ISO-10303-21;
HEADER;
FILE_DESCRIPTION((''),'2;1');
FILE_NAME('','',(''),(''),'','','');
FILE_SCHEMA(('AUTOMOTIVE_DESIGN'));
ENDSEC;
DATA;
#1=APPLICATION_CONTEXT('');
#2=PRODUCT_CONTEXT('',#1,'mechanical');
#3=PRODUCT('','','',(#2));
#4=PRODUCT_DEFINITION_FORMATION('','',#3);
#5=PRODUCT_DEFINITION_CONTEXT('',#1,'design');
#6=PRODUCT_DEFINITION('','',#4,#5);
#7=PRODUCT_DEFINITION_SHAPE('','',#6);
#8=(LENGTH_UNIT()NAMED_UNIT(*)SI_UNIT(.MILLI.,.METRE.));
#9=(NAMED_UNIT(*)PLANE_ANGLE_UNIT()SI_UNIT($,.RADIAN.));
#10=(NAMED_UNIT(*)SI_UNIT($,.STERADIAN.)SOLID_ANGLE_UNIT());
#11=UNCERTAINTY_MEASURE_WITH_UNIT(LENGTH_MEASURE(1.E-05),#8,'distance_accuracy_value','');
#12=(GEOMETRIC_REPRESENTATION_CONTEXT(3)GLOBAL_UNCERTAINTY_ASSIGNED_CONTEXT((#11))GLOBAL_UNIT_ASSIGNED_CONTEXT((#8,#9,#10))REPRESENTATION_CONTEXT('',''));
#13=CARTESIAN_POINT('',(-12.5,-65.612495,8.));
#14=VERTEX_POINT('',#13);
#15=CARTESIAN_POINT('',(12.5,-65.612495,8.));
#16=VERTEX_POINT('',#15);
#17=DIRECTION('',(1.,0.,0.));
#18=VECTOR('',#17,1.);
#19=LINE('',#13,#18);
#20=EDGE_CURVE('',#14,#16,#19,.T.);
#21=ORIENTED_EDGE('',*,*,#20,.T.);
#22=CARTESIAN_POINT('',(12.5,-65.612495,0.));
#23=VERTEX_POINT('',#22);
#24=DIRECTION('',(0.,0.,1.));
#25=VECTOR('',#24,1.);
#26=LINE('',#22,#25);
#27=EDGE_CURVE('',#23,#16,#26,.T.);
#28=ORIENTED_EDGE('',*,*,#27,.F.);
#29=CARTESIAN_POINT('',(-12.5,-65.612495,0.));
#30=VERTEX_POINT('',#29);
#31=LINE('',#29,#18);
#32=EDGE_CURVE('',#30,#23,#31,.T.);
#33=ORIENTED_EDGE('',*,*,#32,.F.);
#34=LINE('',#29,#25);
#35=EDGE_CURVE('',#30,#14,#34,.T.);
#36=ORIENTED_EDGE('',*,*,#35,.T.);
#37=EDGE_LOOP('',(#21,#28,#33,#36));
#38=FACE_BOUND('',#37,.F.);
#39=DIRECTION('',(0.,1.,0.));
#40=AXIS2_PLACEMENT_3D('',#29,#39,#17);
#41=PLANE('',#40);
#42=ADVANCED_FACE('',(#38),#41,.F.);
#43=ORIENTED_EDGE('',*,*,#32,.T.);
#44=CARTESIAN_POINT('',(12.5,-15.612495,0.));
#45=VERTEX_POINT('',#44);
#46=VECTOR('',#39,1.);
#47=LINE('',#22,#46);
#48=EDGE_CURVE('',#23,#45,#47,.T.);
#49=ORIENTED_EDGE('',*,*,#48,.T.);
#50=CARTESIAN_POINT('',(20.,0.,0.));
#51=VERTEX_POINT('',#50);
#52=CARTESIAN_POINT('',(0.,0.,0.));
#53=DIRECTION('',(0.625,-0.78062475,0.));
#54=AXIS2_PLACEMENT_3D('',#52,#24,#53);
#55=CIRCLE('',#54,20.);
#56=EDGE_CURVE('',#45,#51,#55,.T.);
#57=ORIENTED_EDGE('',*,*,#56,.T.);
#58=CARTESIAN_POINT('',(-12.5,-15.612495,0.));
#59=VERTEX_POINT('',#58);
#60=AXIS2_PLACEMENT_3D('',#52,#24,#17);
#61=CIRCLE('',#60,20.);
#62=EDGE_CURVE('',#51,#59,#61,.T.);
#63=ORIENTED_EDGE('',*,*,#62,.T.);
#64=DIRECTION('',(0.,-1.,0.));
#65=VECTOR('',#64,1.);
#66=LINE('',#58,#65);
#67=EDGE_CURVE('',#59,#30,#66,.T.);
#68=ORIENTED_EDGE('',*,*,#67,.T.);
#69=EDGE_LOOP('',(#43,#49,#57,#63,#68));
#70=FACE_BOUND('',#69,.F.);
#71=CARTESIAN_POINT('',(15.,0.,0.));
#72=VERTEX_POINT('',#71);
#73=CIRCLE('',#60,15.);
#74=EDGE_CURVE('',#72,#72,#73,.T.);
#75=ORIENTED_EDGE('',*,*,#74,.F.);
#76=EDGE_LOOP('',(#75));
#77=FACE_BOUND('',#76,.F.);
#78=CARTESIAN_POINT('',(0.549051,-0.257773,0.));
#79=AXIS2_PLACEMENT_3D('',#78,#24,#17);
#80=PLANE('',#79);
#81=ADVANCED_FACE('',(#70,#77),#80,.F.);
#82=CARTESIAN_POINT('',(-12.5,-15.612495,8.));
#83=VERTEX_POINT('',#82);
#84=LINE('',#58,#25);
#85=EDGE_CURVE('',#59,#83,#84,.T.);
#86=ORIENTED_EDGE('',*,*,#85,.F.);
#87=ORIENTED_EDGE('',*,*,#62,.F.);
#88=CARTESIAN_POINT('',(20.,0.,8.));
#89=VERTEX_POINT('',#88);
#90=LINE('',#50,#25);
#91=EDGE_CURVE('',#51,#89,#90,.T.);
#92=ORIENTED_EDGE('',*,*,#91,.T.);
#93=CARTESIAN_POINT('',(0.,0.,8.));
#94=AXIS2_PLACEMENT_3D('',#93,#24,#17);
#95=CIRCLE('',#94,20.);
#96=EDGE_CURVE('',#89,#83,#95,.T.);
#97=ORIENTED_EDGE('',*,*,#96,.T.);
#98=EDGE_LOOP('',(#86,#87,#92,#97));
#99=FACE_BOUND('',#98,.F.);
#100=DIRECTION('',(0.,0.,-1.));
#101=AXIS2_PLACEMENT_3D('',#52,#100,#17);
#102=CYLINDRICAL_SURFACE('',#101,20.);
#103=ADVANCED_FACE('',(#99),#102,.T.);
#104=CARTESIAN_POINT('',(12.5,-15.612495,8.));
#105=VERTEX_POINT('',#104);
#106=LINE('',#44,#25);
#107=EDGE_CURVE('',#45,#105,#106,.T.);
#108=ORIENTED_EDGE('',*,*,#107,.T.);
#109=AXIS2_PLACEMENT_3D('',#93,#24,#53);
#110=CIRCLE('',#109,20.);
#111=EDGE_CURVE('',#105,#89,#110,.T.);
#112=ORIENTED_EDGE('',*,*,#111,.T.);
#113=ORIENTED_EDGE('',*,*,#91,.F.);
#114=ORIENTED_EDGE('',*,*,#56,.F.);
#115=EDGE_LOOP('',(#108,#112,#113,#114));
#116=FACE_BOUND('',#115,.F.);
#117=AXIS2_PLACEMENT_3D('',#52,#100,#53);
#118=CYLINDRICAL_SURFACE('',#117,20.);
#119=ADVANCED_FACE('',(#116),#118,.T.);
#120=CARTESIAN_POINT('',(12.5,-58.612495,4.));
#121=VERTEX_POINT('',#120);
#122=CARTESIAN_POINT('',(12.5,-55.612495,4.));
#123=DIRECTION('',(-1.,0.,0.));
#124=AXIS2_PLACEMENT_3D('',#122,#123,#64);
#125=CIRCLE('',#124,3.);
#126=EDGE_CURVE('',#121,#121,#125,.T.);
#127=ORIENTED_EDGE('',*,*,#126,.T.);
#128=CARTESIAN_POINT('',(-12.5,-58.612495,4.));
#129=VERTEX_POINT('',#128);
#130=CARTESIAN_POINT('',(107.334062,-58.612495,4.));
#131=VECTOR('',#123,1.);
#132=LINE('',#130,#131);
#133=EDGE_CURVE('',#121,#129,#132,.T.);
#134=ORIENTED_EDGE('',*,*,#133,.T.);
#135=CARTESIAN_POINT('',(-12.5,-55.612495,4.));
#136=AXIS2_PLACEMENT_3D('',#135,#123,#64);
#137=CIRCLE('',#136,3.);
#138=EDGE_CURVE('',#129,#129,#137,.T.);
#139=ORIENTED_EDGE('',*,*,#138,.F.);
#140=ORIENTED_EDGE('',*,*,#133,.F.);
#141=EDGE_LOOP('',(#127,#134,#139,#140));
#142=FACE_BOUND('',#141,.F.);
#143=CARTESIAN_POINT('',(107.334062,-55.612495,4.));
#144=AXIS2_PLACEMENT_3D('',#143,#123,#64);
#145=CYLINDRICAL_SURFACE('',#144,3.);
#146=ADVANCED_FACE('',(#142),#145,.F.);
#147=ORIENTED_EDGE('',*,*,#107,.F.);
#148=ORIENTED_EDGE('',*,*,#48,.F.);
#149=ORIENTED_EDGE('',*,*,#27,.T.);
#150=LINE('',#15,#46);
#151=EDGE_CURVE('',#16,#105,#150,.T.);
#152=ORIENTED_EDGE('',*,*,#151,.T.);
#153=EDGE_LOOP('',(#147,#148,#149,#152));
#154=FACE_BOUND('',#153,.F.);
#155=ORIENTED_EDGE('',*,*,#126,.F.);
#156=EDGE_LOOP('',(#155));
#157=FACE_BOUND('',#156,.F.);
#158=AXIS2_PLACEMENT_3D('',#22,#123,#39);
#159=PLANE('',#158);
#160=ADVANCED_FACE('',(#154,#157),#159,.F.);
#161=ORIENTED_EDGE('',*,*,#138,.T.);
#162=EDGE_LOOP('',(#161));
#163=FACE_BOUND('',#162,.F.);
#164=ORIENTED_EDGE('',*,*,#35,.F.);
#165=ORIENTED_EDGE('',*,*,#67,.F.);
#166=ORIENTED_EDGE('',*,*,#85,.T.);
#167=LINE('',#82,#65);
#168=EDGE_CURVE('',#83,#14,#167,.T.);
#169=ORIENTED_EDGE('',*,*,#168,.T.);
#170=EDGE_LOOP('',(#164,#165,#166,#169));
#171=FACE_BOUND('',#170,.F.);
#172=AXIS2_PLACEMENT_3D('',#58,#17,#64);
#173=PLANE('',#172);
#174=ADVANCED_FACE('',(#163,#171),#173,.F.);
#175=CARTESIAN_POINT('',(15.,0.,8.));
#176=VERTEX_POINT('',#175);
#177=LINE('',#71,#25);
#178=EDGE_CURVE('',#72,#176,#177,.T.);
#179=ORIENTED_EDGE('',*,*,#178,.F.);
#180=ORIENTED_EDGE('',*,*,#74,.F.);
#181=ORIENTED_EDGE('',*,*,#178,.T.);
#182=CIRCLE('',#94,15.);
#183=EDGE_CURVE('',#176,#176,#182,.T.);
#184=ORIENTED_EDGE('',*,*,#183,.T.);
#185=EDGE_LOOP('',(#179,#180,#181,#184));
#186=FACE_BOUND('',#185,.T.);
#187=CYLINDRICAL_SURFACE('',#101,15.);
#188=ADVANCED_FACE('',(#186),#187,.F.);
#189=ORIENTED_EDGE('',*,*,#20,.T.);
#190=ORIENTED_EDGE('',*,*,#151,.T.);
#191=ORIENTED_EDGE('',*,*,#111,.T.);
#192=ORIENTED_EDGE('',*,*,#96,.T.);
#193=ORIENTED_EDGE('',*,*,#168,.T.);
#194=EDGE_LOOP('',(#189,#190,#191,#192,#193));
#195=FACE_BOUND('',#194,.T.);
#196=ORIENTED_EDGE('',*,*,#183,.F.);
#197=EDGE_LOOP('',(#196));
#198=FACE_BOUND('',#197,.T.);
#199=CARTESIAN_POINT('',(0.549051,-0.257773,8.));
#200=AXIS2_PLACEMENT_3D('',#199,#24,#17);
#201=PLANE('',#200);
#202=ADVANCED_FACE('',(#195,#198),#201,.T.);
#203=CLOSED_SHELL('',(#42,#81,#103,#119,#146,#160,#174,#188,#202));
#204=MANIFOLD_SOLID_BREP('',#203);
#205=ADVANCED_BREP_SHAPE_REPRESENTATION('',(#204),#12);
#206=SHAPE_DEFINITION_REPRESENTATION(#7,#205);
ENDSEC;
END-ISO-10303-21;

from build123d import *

# Parameters (mm, degrees)
F0_R     = 15
F1_DEPTH = 8
F3_D     = 6


with BuildPart() as f1:
    # F0 (on Top) → F1 (new body)
    with BuildSketch(Plane.XY):
        with BuildLine():
            ThreePointArc((12.5, -15.612494996), (18.0277563773, -8.6602540378), (20, 0))
            ThreePointArc((20, 0), (-8.6602540378, 18.0277563773), (-12.5, -15.612494996))
            Line((-12.5, -15.612494996), (12.5, -15.612494996))
        make_face()
        Circle(F0_R, mode=Mode.SUBTRACT)
        with BuildLine():
            Line((12.5, -15.612494996), (-12.5, -15.612494996))
            ThreePointArc((-12.5, -15.612494996), (0, -20), (12.5, -15.612494996))
        make_face()
        with BuildLine():
            ThreePointArc((12.5, -15.612494996), (0, -20), (-12.5, -15.612494996))
            Line((-12.5, -15.612494996), (-12.5, -65.612494996))
            Line((-12.5, -65.612494996), (12.5, -65.612494996))
            Line((12.5, -65.612494996), (12.5, -15.612494996))
        make_face()
    extrude(amount=F1_DEPTH)

    # F3 (through all)
    with Locations(Plane.YZ.offset(12.5)):
        with Locations((-55.612494996, 4)):
            Hole(F3_D / 2)


solid = f1.part
